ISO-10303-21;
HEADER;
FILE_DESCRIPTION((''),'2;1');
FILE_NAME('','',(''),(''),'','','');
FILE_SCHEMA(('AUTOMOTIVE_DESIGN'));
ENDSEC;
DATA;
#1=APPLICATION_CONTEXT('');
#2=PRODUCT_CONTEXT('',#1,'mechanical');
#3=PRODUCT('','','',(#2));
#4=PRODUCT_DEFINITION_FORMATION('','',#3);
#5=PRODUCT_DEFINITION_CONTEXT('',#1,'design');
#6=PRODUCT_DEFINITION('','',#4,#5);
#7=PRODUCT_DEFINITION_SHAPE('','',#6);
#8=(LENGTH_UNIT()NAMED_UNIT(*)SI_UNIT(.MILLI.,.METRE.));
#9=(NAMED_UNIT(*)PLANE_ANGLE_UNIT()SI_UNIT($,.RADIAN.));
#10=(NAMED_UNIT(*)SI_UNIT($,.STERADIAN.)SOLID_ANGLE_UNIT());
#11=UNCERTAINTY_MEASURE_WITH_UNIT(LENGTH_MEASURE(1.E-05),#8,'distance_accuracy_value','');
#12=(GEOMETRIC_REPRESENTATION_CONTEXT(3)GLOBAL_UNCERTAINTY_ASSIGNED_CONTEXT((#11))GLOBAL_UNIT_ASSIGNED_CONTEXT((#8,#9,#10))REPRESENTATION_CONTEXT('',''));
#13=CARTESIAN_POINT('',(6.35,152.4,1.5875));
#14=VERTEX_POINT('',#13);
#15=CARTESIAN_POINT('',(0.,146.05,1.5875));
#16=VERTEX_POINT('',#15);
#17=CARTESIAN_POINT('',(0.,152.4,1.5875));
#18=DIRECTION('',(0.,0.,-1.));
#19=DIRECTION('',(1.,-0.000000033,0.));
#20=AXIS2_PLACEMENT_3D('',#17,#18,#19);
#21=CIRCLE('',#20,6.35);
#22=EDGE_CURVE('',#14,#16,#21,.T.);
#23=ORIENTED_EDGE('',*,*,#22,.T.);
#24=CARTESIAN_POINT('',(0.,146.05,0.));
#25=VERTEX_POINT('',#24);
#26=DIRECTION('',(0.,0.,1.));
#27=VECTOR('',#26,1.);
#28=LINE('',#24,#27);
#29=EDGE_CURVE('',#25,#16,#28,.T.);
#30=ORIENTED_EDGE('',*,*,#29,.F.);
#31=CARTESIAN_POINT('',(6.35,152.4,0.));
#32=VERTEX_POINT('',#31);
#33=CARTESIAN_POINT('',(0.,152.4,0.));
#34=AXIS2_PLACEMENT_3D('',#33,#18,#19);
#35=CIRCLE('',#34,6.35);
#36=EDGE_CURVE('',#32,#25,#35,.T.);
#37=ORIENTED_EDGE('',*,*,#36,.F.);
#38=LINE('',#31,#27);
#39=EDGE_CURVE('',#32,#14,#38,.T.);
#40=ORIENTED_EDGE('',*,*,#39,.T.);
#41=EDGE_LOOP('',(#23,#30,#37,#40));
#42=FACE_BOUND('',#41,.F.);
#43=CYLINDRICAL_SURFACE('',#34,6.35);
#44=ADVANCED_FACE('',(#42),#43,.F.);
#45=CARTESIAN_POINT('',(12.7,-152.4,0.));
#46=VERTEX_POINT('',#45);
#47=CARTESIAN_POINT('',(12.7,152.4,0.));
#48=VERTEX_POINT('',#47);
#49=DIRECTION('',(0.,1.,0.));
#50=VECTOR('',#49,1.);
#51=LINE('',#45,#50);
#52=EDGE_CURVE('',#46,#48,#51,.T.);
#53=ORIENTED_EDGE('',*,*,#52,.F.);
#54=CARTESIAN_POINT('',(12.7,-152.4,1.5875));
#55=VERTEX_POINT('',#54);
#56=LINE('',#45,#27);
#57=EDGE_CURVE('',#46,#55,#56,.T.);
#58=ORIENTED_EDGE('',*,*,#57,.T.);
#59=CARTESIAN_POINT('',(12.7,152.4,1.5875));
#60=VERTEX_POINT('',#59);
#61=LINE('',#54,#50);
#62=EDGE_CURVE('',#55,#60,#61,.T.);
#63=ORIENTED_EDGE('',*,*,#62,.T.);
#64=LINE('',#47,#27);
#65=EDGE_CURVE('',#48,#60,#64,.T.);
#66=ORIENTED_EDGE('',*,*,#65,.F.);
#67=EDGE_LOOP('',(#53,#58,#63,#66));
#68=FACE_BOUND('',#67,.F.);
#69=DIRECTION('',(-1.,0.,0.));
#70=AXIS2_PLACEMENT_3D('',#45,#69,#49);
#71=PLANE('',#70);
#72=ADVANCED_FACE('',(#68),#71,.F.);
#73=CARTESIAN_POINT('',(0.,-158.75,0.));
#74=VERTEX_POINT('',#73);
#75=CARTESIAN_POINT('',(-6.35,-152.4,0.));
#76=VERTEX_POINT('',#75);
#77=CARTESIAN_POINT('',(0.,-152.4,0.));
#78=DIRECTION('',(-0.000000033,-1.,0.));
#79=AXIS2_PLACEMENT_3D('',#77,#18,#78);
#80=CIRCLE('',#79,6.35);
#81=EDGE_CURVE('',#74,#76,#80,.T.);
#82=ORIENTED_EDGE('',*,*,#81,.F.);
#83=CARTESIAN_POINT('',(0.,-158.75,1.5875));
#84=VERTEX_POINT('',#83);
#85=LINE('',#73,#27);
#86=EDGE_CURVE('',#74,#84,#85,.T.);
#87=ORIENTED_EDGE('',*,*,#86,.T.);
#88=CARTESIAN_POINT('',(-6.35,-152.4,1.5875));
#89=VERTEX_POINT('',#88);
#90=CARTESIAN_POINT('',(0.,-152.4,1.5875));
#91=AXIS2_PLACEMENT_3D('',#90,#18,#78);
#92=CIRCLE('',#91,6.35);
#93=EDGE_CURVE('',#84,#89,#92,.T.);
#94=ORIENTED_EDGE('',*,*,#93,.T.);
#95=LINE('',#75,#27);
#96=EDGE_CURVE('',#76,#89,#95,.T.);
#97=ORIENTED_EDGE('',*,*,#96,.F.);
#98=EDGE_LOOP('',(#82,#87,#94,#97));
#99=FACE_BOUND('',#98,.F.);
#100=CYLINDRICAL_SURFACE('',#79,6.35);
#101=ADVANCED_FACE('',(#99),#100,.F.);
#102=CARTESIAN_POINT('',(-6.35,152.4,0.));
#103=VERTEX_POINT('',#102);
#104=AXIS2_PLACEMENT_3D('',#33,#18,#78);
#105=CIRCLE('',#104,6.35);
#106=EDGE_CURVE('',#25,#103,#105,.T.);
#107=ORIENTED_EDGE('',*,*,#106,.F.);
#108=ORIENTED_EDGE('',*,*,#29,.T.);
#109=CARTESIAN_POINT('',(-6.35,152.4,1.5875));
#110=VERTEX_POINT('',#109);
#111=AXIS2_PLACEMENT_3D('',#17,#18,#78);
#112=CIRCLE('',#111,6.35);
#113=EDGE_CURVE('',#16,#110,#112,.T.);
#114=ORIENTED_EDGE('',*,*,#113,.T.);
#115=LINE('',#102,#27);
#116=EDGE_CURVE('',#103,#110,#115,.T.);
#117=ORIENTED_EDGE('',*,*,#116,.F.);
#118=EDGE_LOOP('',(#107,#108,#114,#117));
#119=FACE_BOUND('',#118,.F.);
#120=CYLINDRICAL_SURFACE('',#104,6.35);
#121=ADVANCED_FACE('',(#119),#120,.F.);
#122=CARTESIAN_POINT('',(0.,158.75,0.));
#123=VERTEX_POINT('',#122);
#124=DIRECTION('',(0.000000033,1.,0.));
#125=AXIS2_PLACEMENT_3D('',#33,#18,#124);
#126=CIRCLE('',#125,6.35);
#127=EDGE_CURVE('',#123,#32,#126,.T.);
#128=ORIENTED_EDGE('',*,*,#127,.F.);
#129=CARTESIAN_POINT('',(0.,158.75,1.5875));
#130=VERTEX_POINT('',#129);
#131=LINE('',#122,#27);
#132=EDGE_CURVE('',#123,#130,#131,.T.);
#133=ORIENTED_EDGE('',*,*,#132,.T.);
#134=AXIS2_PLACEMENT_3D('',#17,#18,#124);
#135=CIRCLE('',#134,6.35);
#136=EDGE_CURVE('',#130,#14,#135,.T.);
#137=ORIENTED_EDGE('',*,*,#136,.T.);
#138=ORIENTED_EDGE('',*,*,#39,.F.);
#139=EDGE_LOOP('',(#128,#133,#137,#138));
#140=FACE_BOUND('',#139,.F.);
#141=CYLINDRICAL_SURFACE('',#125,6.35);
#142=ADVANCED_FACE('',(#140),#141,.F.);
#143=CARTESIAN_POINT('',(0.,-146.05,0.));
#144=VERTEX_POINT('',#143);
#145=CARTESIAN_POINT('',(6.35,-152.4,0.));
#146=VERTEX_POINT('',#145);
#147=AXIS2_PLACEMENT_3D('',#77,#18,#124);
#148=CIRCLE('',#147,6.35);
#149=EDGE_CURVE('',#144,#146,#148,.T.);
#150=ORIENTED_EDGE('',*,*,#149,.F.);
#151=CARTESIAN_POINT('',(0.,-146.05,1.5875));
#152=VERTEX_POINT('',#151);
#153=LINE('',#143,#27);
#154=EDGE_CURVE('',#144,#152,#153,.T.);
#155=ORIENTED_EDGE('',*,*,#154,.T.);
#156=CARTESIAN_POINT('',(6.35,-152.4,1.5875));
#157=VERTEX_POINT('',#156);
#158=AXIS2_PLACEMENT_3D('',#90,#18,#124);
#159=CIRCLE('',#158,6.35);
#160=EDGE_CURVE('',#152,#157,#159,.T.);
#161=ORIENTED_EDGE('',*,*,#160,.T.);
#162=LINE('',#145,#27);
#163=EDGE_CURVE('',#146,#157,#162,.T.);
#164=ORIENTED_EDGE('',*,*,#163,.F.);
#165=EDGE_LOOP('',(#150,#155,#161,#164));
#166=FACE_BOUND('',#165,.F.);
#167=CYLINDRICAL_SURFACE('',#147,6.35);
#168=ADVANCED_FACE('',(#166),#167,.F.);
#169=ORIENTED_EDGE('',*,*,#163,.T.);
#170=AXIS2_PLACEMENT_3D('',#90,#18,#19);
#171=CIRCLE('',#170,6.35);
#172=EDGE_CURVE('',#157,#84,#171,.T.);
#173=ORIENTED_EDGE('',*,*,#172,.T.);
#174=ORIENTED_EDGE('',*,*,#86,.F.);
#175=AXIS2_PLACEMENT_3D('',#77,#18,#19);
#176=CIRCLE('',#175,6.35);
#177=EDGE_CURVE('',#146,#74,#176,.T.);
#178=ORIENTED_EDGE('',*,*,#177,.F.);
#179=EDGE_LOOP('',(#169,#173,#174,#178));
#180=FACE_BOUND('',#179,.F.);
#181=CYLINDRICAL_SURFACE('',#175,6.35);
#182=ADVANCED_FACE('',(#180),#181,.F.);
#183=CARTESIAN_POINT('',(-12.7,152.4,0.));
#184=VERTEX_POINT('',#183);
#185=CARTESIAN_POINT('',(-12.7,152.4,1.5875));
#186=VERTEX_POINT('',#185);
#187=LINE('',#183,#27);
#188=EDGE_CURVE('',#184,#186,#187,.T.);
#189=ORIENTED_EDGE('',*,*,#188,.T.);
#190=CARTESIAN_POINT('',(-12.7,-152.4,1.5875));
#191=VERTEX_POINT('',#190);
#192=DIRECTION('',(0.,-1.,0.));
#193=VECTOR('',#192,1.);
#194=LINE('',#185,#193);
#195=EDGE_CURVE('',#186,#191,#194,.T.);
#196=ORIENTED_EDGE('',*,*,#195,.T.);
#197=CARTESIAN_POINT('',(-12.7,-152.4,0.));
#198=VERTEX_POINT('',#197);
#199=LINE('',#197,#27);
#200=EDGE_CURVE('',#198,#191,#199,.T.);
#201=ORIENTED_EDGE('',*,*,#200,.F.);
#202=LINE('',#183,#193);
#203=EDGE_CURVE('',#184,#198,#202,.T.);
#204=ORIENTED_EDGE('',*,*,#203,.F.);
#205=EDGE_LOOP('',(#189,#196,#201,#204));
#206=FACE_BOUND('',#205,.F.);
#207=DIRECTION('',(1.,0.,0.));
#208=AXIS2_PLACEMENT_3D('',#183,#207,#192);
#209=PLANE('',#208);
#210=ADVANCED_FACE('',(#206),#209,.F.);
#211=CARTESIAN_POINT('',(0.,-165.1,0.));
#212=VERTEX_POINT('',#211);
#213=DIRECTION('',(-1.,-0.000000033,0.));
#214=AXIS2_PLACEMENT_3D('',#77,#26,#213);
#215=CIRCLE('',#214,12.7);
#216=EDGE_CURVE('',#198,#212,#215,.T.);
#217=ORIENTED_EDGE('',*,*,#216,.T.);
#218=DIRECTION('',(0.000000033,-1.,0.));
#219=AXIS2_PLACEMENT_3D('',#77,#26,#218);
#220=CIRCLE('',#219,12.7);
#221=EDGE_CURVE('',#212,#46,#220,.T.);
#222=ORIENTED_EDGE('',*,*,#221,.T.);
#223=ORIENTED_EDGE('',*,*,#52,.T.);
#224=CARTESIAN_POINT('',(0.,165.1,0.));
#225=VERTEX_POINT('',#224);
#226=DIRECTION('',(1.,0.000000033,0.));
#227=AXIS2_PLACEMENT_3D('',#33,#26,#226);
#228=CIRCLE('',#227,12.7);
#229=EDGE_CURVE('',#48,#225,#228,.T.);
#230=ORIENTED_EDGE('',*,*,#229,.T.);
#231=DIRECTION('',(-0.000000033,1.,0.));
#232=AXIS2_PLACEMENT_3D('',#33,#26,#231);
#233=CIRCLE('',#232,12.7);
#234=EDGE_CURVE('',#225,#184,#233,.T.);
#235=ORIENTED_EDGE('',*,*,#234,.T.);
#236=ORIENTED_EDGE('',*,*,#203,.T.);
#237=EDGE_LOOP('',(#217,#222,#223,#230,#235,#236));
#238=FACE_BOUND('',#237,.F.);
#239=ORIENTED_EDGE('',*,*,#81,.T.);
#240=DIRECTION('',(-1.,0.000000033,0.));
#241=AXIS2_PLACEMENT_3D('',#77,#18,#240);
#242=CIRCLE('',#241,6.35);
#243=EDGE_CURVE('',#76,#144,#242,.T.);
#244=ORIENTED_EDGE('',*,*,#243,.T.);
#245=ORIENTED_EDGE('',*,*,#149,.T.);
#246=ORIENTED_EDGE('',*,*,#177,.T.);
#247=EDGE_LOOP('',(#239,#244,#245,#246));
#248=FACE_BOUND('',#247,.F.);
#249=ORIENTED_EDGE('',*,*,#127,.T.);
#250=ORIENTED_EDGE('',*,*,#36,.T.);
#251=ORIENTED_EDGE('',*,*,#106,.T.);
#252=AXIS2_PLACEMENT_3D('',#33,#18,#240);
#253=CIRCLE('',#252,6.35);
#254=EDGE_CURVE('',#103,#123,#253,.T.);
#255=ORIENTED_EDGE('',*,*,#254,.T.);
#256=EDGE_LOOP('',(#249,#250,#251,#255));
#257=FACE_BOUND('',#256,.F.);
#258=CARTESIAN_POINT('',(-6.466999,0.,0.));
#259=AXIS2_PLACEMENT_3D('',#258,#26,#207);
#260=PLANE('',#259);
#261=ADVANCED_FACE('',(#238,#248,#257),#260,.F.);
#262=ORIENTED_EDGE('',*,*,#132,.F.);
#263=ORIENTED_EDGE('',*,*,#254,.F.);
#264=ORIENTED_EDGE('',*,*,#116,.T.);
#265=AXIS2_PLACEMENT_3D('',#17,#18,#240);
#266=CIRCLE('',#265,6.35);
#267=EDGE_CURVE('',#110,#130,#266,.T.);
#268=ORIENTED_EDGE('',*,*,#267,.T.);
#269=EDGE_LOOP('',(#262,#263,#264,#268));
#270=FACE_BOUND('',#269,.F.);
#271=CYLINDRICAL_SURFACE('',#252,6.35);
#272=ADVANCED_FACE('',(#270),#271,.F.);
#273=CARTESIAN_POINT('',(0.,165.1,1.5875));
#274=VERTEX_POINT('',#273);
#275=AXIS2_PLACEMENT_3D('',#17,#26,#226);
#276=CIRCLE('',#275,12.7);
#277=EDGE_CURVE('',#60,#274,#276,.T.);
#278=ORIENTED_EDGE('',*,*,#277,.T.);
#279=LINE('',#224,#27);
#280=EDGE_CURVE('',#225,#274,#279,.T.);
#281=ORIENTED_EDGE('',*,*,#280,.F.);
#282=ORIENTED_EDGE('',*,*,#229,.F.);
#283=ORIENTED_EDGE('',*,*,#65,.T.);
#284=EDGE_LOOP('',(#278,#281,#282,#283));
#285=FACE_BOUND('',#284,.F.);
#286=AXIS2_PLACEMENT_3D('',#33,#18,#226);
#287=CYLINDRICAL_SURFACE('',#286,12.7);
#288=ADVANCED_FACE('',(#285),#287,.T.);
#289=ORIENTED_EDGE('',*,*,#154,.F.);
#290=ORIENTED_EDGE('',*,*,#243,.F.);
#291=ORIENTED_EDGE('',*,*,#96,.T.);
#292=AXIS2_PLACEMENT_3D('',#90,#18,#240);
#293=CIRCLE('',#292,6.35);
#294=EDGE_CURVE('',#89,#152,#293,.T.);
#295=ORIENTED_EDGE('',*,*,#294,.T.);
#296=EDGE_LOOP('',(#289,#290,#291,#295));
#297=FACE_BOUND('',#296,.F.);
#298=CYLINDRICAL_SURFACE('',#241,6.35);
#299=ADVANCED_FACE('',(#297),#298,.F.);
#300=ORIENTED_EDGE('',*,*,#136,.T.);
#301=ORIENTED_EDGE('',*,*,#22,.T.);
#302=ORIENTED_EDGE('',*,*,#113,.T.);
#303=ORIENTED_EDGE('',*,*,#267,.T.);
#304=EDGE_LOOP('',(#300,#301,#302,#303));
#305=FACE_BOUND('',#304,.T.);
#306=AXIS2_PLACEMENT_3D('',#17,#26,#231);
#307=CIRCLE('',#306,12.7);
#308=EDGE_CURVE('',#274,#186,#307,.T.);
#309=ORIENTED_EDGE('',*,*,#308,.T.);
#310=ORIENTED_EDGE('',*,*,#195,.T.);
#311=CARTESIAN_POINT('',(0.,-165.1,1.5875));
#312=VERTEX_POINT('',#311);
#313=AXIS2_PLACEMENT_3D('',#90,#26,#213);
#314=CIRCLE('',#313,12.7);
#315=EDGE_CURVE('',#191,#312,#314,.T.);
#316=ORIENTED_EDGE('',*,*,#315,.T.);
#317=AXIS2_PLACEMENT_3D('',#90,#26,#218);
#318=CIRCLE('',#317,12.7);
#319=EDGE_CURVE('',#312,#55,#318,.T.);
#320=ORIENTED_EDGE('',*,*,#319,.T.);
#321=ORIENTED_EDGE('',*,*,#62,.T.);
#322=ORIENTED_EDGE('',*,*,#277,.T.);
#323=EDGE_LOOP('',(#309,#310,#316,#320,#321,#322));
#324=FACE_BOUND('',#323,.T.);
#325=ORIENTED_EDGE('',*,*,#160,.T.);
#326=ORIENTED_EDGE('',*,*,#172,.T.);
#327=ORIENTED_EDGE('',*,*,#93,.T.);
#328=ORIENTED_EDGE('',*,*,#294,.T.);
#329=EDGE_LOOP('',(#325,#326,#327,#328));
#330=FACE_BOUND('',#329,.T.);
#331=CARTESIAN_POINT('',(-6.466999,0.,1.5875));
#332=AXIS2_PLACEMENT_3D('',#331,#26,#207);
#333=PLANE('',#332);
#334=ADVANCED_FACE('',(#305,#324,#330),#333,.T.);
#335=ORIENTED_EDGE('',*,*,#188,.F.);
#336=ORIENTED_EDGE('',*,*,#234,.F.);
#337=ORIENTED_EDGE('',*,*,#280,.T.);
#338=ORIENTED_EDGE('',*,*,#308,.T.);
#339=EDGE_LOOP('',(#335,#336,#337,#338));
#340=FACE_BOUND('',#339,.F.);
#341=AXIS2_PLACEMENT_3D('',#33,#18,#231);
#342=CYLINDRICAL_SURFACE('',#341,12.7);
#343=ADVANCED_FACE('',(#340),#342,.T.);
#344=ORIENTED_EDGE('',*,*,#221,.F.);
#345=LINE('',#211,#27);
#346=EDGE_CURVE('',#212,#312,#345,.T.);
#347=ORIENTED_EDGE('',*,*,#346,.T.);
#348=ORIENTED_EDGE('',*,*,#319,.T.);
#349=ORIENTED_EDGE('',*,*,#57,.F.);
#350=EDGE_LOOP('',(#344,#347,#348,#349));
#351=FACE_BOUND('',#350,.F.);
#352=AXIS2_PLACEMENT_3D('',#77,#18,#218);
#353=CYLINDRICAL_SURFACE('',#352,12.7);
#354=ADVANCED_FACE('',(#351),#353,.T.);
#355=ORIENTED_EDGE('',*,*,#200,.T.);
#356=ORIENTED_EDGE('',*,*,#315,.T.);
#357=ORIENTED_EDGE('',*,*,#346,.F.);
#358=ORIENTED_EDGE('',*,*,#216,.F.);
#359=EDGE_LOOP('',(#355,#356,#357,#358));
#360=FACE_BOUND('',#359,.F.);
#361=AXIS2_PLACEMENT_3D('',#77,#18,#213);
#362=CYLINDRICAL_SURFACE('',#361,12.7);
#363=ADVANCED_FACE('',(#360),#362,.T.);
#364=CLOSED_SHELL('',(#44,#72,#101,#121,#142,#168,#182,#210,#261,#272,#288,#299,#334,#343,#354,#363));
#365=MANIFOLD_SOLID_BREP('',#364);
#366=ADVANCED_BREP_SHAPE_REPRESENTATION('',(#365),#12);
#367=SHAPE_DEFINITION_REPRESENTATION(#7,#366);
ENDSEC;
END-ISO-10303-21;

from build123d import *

# Parameters (mm, degrees)
F1_DEPTH = 1.5875


with BuildPart() as f1:
    # F0 (on Top) → F1 (new body)
    with BuildSketch(Plane.XY):
        with BuildLine():
            Line((0, -146.05), (0, 146.05))
            ThreePointArc((0, 146.05), (-4.490128, 147.909872), (-6.35, 152.4))
            Line((-6.35, 152.4), (-12.7, 152.4))
            Line((-12.7, 152.4), (-12.7, -152.4))
            Line((-12.7, -152.4), (-6.35, -152.4))
            ThreePointArc((-6.35, -152.4), (-4.490128, -147.909872), (0, -146.05))
        make_face()
        with BuildLine():
            Line((12.7, 152.4), (6.35, 152.4))
            ThreePointArc((6.35, 152.4), (4.490128, 147.909872), (0, 146.05))
            Line((0, 146.05), (0, -146.05))
            ThreePointArc((0, -146.05), (4.490128, -147.909872), (6.35, -152.4))
            Line((6.35, -152.4), (12.7, -152.4))
            Line((12.7, -152.4), (12.7, 152.4))
        make_face()
        with BuildLine():
            ThreePointArc((-6.35, 152.4), (-4.490128, 156.890128), (0, 158.75))
            Line((0, 158.75), (0, 165.1))
            ThreePointArc((0, 165.1), (-8.980256, 161.380256), (-12.7, 152.4))
            Line((-12.7, 152.4), (-6.35, 152.4))
        make_face()
        with BuildLine():
            ThreePointArc((0, 158.75), (4.490128, 156.890128), (6.35, 152.4))
            Line((6.35, 152.4), (12.7, 152.4))
            ThreePointArc((12.7, 152.4), (8.980256, 161.380256), (0, 165.1))
            Line((0, 165.1), (0, 158.75))
        make_face()
        with BuildLine():
            ThreePointArc((0, -165.1), (8.980256, -161.380256), (12.7, -152.4))
            Line((12.7, -152.4), (6.35, -152.4))
            ThreePointArc((6.35, -152.4), (4.490128, -156.890128), (0, -158.75))
            Line((0, -158.75), (0, -165.1))
        make_face()
        with BuildLine():
            ThreePointArc((-12.7, -152.4), (-8.980256, -161.380256), (0, -165.1))
            Line((0, -165.1), (0, -158.75))
            ThreePointArc((0, -158.75), (-4.490128, -156.890128), (-6.35, -152.4))
            Line((-6.35, -152.4), (-12.7, -152.4))
        make_face()
    extrude(amount=F1_DEPTH)


solid = f1.part
